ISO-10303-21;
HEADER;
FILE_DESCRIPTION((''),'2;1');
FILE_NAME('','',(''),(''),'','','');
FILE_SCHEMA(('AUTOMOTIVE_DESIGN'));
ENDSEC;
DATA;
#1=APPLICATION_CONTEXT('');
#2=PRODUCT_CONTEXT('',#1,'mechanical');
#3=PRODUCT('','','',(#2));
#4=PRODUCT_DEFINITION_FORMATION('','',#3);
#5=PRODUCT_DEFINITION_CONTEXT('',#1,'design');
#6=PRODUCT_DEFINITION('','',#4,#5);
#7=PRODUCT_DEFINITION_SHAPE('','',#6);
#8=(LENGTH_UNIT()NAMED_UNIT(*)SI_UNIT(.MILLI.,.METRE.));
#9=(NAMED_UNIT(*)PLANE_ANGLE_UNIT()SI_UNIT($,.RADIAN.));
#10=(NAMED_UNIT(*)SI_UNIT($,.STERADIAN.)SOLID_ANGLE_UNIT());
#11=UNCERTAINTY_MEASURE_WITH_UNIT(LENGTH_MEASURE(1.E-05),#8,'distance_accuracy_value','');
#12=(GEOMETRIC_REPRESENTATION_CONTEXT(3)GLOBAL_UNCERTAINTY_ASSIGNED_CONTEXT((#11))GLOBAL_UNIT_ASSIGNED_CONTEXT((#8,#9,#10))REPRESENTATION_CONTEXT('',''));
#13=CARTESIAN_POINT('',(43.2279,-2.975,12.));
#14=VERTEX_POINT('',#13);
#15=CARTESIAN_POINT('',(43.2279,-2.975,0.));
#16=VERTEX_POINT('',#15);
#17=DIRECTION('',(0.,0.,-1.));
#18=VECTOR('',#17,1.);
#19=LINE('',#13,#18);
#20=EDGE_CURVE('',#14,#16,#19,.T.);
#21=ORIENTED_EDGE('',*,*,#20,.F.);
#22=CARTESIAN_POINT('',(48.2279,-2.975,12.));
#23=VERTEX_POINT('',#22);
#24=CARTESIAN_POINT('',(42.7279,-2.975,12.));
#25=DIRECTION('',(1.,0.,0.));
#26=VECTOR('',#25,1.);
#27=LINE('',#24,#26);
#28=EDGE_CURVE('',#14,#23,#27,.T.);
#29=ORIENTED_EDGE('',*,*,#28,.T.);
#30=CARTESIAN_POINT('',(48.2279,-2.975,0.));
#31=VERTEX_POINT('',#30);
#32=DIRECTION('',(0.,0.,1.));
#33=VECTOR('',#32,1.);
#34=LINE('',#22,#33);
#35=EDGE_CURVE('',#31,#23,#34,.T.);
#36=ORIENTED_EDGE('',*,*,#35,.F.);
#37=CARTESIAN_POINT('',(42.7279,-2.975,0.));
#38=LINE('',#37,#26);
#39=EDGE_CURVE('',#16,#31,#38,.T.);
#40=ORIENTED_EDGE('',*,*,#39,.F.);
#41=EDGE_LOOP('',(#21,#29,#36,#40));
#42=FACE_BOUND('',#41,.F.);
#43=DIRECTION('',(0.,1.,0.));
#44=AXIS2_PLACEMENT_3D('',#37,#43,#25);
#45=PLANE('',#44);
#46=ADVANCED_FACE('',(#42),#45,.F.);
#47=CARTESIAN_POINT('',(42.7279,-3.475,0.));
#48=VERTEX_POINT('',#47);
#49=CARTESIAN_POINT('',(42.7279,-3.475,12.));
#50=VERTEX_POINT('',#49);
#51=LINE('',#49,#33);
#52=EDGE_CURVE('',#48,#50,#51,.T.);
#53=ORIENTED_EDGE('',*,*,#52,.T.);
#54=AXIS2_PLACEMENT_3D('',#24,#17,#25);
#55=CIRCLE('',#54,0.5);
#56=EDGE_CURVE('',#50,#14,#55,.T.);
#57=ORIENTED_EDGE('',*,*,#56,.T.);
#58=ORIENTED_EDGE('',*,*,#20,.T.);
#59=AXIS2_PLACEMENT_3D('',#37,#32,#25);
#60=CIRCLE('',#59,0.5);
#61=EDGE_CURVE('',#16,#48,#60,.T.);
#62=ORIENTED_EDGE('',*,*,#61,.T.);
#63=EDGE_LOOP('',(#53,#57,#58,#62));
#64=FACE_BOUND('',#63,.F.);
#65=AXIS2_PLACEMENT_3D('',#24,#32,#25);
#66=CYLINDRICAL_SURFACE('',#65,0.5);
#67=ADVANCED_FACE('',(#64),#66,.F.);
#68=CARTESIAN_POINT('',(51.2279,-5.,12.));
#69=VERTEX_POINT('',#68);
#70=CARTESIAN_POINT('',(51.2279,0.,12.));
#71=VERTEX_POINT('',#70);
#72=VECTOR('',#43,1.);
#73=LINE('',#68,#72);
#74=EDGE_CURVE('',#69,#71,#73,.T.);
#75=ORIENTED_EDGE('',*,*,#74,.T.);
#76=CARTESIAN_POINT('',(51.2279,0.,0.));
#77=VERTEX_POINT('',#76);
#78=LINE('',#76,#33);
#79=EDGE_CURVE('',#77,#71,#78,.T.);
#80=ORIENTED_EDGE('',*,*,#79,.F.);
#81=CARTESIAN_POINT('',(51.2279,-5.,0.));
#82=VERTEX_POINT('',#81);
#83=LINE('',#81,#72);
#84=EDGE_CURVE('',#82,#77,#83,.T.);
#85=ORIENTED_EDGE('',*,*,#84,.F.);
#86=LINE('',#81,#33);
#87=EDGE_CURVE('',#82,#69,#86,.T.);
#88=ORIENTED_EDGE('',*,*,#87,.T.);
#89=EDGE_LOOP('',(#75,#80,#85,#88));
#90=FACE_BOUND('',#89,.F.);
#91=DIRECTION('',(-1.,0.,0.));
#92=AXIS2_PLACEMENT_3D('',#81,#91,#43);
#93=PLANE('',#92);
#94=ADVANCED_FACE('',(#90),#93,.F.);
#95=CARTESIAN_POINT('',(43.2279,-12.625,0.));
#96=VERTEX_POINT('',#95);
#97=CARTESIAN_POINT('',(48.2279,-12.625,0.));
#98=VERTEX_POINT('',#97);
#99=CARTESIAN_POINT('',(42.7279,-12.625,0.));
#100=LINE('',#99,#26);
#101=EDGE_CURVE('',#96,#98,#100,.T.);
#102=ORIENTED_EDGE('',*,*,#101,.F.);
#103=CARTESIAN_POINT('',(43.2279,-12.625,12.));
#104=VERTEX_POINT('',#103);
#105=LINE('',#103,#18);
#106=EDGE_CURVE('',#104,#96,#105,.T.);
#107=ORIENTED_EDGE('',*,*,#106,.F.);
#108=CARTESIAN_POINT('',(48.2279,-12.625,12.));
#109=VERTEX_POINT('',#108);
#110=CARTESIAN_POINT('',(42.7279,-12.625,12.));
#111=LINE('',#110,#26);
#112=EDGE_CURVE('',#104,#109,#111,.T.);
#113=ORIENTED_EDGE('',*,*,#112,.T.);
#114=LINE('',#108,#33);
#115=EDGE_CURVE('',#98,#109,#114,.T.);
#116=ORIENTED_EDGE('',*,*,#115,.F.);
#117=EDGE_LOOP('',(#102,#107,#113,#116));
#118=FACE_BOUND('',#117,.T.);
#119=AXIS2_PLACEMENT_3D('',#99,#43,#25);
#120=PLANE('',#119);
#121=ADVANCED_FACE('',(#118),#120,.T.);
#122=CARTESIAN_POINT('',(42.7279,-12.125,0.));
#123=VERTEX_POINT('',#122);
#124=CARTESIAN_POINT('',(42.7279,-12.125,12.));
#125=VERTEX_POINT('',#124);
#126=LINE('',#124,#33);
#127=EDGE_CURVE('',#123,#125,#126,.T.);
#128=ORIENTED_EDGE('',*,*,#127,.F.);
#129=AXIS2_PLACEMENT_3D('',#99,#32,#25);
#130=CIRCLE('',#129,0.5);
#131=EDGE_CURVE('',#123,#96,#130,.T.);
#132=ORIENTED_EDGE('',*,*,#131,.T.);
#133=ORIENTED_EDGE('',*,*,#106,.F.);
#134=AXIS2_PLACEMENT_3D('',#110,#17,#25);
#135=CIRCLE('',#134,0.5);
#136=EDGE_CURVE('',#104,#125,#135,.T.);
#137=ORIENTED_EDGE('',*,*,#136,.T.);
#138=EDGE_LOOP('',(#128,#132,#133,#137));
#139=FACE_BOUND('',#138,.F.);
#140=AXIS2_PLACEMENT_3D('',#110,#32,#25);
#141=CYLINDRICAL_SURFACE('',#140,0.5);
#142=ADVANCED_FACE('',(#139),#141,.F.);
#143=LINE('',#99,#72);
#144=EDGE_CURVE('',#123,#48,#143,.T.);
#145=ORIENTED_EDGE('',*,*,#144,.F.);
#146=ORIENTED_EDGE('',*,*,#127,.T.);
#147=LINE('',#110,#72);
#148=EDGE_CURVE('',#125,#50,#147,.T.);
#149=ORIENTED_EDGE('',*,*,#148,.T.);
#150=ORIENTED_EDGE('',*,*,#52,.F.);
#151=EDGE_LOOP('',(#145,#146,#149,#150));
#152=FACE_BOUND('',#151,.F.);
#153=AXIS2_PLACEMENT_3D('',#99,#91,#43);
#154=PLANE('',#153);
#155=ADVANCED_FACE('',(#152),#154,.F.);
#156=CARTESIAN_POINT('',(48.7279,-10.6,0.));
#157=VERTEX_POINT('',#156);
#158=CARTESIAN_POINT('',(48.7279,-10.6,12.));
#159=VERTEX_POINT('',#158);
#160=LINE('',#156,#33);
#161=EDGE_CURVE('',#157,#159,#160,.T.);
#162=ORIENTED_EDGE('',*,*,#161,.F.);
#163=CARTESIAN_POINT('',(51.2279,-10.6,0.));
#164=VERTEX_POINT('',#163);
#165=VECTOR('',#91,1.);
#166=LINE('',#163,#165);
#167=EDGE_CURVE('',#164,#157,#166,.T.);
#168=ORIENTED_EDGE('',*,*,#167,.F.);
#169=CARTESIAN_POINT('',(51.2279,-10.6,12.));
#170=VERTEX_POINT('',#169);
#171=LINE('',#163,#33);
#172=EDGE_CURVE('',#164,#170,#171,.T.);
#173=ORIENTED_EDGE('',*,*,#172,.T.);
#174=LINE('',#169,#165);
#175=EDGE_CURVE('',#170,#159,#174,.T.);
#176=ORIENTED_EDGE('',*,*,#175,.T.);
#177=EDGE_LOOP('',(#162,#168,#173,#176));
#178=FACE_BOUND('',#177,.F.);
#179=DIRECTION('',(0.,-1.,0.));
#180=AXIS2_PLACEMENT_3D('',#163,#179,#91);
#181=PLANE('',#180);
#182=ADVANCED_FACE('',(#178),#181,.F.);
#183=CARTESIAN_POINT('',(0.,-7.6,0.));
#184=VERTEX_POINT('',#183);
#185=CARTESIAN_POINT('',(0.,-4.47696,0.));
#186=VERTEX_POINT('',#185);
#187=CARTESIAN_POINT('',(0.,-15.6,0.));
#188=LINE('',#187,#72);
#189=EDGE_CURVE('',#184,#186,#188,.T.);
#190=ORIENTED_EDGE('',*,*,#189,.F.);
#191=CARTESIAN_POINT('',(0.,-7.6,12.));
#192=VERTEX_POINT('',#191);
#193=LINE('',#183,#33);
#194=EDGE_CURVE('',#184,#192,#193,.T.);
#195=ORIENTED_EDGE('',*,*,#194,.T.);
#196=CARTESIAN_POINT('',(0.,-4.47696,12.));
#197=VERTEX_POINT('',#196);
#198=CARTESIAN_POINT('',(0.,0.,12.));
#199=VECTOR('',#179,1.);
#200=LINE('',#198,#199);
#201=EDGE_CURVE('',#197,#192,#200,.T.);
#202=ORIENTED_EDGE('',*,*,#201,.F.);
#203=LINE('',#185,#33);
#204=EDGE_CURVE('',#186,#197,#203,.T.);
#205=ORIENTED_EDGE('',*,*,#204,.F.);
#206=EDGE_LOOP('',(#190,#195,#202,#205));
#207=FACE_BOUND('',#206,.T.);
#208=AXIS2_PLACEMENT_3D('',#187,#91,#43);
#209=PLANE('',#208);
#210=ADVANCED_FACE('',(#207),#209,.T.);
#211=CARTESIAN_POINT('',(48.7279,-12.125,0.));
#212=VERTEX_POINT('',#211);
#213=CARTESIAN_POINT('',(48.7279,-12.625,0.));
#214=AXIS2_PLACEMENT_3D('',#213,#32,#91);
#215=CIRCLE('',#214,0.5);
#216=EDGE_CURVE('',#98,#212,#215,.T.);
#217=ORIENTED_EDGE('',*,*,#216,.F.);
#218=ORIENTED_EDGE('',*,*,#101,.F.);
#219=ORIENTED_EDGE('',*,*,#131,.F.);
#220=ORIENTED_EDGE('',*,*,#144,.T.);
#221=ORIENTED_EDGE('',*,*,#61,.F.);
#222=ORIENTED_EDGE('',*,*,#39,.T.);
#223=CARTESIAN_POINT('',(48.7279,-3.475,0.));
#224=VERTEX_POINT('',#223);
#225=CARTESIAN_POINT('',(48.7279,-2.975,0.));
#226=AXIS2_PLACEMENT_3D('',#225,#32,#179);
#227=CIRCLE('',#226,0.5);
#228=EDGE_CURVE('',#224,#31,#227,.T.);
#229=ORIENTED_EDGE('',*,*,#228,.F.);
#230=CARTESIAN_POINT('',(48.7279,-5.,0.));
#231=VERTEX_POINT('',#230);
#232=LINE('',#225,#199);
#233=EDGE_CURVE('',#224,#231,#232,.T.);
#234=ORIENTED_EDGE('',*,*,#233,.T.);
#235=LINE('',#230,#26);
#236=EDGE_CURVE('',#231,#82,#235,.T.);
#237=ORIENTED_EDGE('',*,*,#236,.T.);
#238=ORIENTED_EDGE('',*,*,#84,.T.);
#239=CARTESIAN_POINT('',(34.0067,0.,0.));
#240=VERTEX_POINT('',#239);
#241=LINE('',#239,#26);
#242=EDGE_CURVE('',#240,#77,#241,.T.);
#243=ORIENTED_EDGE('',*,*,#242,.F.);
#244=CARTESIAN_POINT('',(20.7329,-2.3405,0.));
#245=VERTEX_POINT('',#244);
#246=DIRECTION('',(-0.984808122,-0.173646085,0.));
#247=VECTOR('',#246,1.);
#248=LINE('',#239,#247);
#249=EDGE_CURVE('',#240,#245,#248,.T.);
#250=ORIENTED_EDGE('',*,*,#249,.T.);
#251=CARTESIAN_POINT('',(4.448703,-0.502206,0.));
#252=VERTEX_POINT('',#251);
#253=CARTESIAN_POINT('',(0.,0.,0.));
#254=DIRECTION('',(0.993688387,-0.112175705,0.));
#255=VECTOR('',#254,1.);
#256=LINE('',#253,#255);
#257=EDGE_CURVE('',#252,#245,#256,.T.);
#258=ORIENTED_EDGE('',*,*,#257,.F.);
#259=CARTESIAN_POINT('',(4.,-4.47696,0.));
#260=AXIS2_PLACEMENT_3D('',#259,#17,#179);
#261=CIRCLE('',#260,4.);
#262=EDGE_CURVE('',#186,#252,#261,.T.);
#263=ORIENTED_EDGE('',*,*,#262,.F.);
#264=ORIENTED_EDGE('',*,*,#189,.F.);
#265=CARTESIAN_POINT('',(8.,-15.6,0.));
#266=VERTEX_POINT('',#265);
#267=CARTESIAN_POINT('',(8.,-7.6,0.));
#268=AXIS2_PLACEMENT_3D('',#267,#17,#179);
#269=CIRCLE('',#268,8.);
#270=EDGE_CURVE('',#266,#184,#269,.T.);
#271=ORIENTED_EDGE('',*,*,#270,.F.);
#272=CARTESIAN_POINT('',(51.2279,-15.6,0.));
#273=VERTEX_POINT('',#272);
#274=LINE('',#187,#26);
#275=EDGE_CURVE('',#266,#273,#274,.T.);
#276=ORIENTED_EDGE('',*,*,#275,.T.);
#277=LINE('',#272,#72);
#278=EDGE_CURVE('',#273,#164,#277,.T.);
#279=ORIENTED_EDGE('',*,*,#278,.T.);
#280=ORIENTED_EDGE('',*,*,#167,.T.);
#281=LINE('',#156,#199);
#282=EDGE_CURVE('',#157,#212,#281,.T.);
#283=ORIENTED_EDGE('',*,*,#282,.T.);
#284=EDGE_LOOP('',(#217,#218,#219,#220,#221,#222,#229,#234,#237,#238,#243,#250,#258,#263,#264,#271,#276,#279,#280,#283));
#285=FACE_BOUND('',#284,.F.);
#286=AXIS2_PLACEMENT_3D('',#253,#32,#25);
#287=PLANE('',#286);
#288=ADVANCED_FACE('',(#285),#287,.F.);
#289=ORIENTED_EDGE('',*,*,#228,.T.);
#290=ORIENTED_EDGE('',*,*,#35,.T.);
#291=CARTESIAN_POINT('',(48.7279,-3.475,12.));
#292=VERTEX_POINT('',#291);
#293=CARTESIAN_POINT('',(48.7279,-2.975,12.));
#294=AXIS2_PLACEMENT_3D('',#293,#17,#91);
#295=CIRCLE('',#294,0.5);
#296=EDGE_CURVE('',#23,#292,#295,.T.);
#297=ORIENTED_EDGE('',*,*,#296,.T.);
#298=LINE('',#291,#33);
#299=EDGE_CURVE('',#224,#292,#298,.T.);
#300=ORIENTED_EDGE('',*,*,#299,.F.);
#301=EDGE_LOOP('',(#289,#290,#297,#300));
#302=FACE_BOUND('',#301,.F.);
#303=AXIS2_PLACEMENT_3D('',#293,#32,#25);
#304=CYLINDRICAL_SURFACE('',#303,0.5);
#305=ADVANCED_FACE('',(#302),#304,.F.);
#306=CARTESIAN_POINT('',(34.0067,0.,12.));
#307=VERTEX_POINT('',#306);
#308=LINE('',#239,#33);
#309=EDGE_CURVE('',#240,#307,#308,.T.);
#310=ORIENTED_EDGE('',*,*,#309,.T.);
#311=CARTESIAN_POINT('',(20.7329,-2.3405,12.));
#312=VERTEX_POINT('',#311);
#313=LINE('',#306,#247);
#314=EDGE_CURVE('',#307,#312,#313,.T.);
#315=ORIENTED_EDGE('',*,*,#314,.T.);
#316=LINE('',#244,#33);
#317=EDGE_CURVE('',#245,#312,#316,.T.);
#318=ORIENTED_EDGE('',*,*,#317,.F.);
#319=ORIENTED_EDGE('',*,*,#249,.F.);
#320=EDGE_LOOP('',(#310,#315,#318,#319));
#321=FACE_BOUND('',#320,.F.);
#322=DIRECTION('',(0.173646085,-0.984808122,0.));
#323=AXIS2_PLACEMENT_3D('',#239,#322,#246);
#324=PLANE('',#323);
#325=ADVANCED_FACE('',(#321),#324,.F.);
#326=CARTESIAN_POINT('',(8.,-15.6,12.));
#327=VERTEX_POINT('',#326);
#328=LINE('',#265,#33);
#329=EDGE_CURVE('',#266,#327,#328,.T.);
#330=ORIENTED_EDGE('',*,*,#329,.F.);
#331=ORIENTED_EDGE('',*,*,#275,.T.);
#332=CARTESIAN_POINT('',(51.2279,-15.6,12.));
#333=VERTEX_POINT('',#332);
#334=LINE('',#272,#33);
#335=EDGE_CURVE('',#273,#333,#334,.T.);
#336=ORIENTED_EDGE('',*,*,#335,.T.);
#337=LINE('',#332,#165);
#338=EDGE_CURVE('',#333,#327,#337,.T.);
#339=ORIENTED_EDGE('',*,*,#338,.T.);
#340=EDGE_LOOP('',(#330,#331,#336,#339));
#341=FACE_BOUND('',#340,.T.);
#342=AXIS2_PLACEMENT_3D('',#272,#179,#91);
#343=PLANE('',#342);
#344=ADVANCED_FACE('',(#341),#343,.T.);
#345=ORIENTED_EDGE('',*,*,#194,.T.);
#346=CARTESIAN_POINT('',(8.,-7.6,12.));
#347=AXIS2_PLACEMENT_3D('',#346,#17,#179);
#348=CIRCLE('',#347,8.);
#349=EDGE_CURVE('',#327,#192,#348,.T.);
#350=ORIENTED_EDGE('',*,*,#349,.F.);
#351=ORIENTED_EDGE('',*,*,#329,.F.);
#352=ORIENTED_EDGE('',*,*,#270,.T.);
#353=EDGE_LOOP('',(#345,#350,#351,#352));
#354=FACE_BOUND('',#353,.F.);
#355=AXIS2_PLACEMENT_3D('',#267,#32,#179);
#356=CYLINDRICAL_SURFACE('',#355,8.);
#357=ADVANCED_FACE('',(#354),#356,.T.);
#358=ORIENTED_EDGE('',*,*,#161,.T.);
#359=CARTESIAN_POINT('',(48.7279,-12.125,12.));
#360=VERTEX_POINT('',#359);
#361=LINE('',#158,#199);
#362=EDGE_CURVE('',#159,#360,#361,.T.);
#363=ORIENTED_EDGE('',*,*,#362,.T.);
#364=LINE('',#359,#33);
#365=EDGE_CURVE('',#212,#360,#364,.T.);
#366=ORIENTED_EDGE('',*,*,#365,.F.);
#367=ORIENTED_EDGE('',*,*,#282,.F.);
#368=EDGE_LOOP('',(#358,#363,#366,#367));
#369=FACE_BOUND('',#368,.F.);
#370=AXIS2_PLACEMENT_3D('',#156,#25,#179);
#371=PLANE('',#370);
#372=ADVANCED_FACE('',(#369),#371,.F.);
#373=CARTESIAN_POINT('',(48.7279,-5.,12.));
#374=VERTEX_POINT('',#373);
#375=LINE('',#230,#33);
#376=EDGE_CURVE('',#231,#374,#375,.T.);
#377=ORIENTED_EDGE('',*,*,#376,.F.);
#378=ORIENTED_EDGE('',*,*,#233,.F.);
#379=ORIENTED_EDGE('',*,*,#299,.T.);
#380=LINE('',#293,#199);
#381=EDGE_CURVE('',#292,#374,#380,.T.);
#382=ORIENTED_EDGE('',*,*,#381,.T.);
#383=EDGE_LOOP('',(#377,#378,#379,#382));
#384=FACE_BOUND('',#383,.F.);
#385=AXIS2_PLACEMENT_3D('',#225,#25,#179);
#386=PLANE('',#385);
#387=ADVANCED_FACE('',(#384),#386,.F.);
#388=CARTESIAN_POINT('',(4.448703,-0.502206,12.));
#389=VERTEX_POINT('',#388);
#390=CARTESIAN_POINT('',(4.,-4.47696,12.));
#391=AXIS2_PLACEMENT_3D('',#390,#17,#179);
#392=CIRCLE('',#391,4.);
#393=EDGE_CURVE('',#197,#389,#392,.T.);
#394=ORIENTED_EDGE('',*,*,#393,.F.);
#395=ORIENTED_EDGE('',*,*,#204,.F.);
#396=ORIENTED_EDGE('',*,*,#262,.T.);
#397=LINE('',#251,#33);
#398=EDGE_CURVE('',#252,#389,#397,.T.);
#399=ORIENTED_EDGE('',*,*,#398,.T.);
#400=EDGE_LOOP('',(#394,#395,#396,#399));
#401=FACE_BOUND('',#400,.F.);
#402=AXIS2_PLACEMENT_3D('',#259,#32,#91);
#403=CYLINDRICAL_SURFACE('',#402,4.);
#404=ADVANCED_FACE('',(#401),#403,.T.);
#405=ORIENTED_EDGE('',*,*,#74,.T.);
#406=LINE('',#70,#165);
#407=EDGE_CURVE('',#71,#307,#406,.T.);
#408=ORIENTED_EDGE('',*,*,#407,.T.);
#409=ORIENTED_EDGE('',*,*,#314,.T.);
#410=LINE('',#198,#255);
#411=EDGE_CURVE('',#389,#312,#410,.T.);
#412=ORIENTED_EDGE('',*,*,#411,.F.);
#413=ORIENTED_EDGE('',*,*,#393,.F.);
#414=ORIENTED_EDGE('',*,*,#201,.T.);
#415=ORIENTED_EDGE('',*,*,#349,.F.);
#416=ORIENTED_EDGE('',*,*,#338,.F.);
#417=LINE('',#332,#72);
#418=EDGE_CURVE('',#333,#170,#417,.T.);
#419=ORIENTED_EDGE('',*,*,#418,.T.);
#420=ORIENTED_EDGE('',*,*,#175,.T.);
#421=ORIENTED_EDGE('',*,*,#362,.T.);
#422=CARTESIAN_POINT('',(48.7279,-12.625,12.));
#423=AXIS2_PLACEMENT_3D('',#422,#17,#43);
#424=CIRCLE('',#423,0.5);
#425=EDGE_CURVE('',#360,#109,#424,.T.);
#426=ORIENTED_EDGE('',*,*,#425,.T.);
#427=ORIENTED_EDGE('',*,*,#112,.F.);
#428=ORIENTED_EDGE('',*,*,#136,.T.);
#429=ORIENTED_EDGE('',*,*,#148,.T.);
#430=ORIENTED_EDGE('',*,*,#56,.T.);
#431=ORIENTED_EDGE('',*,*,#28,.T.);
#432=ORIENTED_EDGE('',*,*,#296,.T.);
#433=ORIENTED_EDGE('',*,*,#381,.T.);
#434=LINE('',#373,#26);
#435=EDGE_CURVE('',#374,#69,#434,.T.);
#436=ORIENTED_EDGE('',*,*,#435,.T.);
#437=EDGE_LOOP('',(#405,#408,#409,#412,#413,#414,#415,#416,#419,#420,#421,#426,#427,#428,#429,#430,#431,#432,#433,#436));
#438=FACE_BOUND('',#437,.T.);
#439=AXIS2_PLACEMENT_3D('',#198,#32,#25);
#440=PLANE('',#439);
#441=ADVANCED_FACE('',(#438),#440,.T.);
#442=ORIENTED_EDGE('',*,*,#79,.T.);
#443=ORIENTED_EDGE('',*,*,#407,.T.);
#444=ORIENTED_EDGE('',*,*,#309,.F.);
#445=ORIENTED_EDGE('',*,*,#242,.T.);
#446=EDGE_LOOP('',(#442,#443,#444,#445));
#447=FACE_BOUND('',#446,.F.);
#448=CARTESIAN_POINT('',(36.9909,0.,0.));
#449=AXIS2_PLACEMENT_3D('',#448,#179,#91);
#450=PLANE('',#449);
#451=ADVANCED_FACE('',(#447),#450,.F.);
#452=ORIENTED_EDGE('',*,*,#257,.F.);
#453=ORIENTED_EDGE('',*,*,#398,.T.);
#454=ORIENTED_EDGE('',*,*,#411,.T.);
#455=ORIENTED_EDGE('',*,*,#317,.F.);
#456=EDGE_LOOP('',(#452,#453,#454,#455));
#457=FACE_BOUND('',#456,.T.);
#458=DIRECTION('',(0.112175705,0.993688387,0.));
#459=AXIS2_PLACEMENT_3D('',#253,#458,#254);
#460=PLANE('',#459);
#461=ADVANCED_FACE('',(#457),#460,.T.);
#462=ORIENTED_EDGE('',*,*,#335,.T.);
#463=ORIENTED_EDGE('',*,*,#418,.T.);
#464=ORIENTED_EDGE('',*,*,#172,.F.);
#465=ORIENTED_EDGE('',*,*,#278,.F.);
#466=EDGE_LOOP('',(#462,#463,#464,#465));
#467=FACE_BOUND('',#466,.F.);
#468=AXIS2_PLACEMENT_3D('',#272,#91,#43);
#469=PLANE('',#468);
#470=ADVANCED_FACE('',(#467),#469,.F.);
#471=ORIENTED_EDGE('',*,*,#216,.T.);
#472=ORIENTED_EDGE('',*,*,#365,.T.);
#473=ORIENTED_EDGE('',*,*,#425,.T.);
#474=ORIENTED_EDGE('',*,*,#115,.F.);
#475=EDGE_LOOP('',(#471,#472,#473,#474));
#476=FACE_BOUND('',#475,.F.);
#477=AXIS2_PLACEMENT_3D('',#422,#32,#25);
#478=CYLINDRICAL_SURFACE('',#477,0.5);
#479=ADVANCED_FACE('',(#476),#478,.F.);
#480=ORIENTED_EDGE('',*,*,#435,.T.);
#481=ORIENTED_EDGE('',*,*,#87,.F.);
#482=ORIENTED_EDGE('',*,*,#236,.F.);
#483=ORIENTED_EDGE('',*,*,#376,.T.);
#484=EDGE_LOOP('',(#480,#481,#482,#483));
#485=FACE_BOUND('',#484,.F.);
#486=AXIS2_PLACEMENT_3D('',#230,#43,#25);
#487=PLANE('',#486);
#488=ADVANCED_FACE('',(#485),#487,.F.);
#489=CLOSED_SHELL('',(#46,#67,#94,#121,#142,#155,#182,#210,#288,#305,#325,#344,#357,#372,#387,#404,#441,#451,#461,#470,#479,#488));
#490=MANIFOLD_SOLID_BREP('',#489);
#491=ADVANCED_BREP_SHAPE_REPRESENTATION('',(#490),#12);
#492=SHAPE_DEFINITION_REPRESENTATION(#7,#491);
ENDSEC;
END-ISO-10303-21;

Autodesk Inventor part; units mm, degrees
ref_plane "YZ Plane" through (0, 0, 0) normal (1, 0, 0) x (0, 1, 0)
ref_plane "XZ Plane" through (0, 0, 0) normal (0, 1, 0) x (-1, 0, 0)
ref_plane "XY Plane" through (0, 0, 0) normal (0, 0, 1) x (1, 0, 0)
sketch "Sketch5" plane through (0, 0, 0) normal (0, 0, 1) x (1, 0, 0)
  line L0 (51.2279, -15.6) -> (51.2279, -10.6)
  line L1 (51.2279, -10.6) -> (48.7279, -10.6)
  line L2 (48.7279, -10.6) -> (48.7279, -12.625)
  line L3 (42.7279, -12.625) -> (42.7279, -2.975)
  line L4 (48.7279, -2.975) -> (48.7279, -5)
  line L5 (48.7279, -5) -> (51.2279, -5)
  line L6 (51.2279, -5) -> (51.2279, 0)
  line L7 (42.7279, -2.975) -> (48.7279, -2.975)
  line L8 (42.7279, -12.625) -> (48.7279, -12.625)
  line L9 (51.2279, -15.6) -> (43.6357, -15.6)
  line L10 (39.8786, -15.6) -> (43.6357, -15.6)
  line L11 (0, -15.6) -> (39.8786, -15.6)
  line L12 (36.9909, 0) -> (51.2279, 0)
  line L13 (0, -15.6) -> (0, -5.4692)
  line L14 (36.9909, 0) -> (31.0226, 0)
  line L15 (0, 0) -> (0, -5.4692)
  line L16 (34.0067, 0) -> (20.7329, -2.3405)
  line L17 (0, 0) -> (20.7329, -2.3405)
  point P0 (44.1094, 0)
  dimension "d41" = 6
  dimension "d50" = 2.5
  dimension "d87" = 5.6
  dimension "d88" = 9.65
  dimension "d122" = 14.237
  dimension "d123" = 2.975
  dimension "d132" = 10
extrude "Extrusion2" add sketch "Sketch5" along normal blind 12
sketch "Sketch11" plane through (0, 0, 12) normal (0, 0, 1) x (1, 0, 0)
  line L0 (42.7279, -2.975) -> (48.7279, -2.975) projected
  circle A0 centre (42.7279, -2.975) radius 0.5
  line L1 (42.7279, -12.625) -> (42.7279, -2.975) projected
  circle A1 centre (42.7279, -12.625) radius 0.5
  line L2 (48.7279, -12.625) -> (42.7279, -12.625) projected
  circle A2 centre (48.7279, -12.625) radius 0.5
  line L3 (48.7279, -2.975) -> (48.7279, -5) projected
  circle A3 centre (48.7279, -2.975) radius 0.5
  point P0 (0, 0)
  dimension "d99" = 1
  dimension "d100" = 1
  dimension "d101" = 1
  dimension "d102" = 1
extrude "Extrusion7" cut sketch "Sketch11" against normal through all
fillet "Rundung4" radius 8 1 edges at (0, -15.6, 6)
sketch "Skizze13" plane through (0, 0, 0) normal (-1, 0, 0) x (0, 0, 1)
  point P0 (0, 0)
fillet "Rundung6" radius 4 1 edges at (0, 0, 6)
equation "\"l1\" = 8"
properties part number "Maria_Greifer_Dreieck2_3D-Druck"
